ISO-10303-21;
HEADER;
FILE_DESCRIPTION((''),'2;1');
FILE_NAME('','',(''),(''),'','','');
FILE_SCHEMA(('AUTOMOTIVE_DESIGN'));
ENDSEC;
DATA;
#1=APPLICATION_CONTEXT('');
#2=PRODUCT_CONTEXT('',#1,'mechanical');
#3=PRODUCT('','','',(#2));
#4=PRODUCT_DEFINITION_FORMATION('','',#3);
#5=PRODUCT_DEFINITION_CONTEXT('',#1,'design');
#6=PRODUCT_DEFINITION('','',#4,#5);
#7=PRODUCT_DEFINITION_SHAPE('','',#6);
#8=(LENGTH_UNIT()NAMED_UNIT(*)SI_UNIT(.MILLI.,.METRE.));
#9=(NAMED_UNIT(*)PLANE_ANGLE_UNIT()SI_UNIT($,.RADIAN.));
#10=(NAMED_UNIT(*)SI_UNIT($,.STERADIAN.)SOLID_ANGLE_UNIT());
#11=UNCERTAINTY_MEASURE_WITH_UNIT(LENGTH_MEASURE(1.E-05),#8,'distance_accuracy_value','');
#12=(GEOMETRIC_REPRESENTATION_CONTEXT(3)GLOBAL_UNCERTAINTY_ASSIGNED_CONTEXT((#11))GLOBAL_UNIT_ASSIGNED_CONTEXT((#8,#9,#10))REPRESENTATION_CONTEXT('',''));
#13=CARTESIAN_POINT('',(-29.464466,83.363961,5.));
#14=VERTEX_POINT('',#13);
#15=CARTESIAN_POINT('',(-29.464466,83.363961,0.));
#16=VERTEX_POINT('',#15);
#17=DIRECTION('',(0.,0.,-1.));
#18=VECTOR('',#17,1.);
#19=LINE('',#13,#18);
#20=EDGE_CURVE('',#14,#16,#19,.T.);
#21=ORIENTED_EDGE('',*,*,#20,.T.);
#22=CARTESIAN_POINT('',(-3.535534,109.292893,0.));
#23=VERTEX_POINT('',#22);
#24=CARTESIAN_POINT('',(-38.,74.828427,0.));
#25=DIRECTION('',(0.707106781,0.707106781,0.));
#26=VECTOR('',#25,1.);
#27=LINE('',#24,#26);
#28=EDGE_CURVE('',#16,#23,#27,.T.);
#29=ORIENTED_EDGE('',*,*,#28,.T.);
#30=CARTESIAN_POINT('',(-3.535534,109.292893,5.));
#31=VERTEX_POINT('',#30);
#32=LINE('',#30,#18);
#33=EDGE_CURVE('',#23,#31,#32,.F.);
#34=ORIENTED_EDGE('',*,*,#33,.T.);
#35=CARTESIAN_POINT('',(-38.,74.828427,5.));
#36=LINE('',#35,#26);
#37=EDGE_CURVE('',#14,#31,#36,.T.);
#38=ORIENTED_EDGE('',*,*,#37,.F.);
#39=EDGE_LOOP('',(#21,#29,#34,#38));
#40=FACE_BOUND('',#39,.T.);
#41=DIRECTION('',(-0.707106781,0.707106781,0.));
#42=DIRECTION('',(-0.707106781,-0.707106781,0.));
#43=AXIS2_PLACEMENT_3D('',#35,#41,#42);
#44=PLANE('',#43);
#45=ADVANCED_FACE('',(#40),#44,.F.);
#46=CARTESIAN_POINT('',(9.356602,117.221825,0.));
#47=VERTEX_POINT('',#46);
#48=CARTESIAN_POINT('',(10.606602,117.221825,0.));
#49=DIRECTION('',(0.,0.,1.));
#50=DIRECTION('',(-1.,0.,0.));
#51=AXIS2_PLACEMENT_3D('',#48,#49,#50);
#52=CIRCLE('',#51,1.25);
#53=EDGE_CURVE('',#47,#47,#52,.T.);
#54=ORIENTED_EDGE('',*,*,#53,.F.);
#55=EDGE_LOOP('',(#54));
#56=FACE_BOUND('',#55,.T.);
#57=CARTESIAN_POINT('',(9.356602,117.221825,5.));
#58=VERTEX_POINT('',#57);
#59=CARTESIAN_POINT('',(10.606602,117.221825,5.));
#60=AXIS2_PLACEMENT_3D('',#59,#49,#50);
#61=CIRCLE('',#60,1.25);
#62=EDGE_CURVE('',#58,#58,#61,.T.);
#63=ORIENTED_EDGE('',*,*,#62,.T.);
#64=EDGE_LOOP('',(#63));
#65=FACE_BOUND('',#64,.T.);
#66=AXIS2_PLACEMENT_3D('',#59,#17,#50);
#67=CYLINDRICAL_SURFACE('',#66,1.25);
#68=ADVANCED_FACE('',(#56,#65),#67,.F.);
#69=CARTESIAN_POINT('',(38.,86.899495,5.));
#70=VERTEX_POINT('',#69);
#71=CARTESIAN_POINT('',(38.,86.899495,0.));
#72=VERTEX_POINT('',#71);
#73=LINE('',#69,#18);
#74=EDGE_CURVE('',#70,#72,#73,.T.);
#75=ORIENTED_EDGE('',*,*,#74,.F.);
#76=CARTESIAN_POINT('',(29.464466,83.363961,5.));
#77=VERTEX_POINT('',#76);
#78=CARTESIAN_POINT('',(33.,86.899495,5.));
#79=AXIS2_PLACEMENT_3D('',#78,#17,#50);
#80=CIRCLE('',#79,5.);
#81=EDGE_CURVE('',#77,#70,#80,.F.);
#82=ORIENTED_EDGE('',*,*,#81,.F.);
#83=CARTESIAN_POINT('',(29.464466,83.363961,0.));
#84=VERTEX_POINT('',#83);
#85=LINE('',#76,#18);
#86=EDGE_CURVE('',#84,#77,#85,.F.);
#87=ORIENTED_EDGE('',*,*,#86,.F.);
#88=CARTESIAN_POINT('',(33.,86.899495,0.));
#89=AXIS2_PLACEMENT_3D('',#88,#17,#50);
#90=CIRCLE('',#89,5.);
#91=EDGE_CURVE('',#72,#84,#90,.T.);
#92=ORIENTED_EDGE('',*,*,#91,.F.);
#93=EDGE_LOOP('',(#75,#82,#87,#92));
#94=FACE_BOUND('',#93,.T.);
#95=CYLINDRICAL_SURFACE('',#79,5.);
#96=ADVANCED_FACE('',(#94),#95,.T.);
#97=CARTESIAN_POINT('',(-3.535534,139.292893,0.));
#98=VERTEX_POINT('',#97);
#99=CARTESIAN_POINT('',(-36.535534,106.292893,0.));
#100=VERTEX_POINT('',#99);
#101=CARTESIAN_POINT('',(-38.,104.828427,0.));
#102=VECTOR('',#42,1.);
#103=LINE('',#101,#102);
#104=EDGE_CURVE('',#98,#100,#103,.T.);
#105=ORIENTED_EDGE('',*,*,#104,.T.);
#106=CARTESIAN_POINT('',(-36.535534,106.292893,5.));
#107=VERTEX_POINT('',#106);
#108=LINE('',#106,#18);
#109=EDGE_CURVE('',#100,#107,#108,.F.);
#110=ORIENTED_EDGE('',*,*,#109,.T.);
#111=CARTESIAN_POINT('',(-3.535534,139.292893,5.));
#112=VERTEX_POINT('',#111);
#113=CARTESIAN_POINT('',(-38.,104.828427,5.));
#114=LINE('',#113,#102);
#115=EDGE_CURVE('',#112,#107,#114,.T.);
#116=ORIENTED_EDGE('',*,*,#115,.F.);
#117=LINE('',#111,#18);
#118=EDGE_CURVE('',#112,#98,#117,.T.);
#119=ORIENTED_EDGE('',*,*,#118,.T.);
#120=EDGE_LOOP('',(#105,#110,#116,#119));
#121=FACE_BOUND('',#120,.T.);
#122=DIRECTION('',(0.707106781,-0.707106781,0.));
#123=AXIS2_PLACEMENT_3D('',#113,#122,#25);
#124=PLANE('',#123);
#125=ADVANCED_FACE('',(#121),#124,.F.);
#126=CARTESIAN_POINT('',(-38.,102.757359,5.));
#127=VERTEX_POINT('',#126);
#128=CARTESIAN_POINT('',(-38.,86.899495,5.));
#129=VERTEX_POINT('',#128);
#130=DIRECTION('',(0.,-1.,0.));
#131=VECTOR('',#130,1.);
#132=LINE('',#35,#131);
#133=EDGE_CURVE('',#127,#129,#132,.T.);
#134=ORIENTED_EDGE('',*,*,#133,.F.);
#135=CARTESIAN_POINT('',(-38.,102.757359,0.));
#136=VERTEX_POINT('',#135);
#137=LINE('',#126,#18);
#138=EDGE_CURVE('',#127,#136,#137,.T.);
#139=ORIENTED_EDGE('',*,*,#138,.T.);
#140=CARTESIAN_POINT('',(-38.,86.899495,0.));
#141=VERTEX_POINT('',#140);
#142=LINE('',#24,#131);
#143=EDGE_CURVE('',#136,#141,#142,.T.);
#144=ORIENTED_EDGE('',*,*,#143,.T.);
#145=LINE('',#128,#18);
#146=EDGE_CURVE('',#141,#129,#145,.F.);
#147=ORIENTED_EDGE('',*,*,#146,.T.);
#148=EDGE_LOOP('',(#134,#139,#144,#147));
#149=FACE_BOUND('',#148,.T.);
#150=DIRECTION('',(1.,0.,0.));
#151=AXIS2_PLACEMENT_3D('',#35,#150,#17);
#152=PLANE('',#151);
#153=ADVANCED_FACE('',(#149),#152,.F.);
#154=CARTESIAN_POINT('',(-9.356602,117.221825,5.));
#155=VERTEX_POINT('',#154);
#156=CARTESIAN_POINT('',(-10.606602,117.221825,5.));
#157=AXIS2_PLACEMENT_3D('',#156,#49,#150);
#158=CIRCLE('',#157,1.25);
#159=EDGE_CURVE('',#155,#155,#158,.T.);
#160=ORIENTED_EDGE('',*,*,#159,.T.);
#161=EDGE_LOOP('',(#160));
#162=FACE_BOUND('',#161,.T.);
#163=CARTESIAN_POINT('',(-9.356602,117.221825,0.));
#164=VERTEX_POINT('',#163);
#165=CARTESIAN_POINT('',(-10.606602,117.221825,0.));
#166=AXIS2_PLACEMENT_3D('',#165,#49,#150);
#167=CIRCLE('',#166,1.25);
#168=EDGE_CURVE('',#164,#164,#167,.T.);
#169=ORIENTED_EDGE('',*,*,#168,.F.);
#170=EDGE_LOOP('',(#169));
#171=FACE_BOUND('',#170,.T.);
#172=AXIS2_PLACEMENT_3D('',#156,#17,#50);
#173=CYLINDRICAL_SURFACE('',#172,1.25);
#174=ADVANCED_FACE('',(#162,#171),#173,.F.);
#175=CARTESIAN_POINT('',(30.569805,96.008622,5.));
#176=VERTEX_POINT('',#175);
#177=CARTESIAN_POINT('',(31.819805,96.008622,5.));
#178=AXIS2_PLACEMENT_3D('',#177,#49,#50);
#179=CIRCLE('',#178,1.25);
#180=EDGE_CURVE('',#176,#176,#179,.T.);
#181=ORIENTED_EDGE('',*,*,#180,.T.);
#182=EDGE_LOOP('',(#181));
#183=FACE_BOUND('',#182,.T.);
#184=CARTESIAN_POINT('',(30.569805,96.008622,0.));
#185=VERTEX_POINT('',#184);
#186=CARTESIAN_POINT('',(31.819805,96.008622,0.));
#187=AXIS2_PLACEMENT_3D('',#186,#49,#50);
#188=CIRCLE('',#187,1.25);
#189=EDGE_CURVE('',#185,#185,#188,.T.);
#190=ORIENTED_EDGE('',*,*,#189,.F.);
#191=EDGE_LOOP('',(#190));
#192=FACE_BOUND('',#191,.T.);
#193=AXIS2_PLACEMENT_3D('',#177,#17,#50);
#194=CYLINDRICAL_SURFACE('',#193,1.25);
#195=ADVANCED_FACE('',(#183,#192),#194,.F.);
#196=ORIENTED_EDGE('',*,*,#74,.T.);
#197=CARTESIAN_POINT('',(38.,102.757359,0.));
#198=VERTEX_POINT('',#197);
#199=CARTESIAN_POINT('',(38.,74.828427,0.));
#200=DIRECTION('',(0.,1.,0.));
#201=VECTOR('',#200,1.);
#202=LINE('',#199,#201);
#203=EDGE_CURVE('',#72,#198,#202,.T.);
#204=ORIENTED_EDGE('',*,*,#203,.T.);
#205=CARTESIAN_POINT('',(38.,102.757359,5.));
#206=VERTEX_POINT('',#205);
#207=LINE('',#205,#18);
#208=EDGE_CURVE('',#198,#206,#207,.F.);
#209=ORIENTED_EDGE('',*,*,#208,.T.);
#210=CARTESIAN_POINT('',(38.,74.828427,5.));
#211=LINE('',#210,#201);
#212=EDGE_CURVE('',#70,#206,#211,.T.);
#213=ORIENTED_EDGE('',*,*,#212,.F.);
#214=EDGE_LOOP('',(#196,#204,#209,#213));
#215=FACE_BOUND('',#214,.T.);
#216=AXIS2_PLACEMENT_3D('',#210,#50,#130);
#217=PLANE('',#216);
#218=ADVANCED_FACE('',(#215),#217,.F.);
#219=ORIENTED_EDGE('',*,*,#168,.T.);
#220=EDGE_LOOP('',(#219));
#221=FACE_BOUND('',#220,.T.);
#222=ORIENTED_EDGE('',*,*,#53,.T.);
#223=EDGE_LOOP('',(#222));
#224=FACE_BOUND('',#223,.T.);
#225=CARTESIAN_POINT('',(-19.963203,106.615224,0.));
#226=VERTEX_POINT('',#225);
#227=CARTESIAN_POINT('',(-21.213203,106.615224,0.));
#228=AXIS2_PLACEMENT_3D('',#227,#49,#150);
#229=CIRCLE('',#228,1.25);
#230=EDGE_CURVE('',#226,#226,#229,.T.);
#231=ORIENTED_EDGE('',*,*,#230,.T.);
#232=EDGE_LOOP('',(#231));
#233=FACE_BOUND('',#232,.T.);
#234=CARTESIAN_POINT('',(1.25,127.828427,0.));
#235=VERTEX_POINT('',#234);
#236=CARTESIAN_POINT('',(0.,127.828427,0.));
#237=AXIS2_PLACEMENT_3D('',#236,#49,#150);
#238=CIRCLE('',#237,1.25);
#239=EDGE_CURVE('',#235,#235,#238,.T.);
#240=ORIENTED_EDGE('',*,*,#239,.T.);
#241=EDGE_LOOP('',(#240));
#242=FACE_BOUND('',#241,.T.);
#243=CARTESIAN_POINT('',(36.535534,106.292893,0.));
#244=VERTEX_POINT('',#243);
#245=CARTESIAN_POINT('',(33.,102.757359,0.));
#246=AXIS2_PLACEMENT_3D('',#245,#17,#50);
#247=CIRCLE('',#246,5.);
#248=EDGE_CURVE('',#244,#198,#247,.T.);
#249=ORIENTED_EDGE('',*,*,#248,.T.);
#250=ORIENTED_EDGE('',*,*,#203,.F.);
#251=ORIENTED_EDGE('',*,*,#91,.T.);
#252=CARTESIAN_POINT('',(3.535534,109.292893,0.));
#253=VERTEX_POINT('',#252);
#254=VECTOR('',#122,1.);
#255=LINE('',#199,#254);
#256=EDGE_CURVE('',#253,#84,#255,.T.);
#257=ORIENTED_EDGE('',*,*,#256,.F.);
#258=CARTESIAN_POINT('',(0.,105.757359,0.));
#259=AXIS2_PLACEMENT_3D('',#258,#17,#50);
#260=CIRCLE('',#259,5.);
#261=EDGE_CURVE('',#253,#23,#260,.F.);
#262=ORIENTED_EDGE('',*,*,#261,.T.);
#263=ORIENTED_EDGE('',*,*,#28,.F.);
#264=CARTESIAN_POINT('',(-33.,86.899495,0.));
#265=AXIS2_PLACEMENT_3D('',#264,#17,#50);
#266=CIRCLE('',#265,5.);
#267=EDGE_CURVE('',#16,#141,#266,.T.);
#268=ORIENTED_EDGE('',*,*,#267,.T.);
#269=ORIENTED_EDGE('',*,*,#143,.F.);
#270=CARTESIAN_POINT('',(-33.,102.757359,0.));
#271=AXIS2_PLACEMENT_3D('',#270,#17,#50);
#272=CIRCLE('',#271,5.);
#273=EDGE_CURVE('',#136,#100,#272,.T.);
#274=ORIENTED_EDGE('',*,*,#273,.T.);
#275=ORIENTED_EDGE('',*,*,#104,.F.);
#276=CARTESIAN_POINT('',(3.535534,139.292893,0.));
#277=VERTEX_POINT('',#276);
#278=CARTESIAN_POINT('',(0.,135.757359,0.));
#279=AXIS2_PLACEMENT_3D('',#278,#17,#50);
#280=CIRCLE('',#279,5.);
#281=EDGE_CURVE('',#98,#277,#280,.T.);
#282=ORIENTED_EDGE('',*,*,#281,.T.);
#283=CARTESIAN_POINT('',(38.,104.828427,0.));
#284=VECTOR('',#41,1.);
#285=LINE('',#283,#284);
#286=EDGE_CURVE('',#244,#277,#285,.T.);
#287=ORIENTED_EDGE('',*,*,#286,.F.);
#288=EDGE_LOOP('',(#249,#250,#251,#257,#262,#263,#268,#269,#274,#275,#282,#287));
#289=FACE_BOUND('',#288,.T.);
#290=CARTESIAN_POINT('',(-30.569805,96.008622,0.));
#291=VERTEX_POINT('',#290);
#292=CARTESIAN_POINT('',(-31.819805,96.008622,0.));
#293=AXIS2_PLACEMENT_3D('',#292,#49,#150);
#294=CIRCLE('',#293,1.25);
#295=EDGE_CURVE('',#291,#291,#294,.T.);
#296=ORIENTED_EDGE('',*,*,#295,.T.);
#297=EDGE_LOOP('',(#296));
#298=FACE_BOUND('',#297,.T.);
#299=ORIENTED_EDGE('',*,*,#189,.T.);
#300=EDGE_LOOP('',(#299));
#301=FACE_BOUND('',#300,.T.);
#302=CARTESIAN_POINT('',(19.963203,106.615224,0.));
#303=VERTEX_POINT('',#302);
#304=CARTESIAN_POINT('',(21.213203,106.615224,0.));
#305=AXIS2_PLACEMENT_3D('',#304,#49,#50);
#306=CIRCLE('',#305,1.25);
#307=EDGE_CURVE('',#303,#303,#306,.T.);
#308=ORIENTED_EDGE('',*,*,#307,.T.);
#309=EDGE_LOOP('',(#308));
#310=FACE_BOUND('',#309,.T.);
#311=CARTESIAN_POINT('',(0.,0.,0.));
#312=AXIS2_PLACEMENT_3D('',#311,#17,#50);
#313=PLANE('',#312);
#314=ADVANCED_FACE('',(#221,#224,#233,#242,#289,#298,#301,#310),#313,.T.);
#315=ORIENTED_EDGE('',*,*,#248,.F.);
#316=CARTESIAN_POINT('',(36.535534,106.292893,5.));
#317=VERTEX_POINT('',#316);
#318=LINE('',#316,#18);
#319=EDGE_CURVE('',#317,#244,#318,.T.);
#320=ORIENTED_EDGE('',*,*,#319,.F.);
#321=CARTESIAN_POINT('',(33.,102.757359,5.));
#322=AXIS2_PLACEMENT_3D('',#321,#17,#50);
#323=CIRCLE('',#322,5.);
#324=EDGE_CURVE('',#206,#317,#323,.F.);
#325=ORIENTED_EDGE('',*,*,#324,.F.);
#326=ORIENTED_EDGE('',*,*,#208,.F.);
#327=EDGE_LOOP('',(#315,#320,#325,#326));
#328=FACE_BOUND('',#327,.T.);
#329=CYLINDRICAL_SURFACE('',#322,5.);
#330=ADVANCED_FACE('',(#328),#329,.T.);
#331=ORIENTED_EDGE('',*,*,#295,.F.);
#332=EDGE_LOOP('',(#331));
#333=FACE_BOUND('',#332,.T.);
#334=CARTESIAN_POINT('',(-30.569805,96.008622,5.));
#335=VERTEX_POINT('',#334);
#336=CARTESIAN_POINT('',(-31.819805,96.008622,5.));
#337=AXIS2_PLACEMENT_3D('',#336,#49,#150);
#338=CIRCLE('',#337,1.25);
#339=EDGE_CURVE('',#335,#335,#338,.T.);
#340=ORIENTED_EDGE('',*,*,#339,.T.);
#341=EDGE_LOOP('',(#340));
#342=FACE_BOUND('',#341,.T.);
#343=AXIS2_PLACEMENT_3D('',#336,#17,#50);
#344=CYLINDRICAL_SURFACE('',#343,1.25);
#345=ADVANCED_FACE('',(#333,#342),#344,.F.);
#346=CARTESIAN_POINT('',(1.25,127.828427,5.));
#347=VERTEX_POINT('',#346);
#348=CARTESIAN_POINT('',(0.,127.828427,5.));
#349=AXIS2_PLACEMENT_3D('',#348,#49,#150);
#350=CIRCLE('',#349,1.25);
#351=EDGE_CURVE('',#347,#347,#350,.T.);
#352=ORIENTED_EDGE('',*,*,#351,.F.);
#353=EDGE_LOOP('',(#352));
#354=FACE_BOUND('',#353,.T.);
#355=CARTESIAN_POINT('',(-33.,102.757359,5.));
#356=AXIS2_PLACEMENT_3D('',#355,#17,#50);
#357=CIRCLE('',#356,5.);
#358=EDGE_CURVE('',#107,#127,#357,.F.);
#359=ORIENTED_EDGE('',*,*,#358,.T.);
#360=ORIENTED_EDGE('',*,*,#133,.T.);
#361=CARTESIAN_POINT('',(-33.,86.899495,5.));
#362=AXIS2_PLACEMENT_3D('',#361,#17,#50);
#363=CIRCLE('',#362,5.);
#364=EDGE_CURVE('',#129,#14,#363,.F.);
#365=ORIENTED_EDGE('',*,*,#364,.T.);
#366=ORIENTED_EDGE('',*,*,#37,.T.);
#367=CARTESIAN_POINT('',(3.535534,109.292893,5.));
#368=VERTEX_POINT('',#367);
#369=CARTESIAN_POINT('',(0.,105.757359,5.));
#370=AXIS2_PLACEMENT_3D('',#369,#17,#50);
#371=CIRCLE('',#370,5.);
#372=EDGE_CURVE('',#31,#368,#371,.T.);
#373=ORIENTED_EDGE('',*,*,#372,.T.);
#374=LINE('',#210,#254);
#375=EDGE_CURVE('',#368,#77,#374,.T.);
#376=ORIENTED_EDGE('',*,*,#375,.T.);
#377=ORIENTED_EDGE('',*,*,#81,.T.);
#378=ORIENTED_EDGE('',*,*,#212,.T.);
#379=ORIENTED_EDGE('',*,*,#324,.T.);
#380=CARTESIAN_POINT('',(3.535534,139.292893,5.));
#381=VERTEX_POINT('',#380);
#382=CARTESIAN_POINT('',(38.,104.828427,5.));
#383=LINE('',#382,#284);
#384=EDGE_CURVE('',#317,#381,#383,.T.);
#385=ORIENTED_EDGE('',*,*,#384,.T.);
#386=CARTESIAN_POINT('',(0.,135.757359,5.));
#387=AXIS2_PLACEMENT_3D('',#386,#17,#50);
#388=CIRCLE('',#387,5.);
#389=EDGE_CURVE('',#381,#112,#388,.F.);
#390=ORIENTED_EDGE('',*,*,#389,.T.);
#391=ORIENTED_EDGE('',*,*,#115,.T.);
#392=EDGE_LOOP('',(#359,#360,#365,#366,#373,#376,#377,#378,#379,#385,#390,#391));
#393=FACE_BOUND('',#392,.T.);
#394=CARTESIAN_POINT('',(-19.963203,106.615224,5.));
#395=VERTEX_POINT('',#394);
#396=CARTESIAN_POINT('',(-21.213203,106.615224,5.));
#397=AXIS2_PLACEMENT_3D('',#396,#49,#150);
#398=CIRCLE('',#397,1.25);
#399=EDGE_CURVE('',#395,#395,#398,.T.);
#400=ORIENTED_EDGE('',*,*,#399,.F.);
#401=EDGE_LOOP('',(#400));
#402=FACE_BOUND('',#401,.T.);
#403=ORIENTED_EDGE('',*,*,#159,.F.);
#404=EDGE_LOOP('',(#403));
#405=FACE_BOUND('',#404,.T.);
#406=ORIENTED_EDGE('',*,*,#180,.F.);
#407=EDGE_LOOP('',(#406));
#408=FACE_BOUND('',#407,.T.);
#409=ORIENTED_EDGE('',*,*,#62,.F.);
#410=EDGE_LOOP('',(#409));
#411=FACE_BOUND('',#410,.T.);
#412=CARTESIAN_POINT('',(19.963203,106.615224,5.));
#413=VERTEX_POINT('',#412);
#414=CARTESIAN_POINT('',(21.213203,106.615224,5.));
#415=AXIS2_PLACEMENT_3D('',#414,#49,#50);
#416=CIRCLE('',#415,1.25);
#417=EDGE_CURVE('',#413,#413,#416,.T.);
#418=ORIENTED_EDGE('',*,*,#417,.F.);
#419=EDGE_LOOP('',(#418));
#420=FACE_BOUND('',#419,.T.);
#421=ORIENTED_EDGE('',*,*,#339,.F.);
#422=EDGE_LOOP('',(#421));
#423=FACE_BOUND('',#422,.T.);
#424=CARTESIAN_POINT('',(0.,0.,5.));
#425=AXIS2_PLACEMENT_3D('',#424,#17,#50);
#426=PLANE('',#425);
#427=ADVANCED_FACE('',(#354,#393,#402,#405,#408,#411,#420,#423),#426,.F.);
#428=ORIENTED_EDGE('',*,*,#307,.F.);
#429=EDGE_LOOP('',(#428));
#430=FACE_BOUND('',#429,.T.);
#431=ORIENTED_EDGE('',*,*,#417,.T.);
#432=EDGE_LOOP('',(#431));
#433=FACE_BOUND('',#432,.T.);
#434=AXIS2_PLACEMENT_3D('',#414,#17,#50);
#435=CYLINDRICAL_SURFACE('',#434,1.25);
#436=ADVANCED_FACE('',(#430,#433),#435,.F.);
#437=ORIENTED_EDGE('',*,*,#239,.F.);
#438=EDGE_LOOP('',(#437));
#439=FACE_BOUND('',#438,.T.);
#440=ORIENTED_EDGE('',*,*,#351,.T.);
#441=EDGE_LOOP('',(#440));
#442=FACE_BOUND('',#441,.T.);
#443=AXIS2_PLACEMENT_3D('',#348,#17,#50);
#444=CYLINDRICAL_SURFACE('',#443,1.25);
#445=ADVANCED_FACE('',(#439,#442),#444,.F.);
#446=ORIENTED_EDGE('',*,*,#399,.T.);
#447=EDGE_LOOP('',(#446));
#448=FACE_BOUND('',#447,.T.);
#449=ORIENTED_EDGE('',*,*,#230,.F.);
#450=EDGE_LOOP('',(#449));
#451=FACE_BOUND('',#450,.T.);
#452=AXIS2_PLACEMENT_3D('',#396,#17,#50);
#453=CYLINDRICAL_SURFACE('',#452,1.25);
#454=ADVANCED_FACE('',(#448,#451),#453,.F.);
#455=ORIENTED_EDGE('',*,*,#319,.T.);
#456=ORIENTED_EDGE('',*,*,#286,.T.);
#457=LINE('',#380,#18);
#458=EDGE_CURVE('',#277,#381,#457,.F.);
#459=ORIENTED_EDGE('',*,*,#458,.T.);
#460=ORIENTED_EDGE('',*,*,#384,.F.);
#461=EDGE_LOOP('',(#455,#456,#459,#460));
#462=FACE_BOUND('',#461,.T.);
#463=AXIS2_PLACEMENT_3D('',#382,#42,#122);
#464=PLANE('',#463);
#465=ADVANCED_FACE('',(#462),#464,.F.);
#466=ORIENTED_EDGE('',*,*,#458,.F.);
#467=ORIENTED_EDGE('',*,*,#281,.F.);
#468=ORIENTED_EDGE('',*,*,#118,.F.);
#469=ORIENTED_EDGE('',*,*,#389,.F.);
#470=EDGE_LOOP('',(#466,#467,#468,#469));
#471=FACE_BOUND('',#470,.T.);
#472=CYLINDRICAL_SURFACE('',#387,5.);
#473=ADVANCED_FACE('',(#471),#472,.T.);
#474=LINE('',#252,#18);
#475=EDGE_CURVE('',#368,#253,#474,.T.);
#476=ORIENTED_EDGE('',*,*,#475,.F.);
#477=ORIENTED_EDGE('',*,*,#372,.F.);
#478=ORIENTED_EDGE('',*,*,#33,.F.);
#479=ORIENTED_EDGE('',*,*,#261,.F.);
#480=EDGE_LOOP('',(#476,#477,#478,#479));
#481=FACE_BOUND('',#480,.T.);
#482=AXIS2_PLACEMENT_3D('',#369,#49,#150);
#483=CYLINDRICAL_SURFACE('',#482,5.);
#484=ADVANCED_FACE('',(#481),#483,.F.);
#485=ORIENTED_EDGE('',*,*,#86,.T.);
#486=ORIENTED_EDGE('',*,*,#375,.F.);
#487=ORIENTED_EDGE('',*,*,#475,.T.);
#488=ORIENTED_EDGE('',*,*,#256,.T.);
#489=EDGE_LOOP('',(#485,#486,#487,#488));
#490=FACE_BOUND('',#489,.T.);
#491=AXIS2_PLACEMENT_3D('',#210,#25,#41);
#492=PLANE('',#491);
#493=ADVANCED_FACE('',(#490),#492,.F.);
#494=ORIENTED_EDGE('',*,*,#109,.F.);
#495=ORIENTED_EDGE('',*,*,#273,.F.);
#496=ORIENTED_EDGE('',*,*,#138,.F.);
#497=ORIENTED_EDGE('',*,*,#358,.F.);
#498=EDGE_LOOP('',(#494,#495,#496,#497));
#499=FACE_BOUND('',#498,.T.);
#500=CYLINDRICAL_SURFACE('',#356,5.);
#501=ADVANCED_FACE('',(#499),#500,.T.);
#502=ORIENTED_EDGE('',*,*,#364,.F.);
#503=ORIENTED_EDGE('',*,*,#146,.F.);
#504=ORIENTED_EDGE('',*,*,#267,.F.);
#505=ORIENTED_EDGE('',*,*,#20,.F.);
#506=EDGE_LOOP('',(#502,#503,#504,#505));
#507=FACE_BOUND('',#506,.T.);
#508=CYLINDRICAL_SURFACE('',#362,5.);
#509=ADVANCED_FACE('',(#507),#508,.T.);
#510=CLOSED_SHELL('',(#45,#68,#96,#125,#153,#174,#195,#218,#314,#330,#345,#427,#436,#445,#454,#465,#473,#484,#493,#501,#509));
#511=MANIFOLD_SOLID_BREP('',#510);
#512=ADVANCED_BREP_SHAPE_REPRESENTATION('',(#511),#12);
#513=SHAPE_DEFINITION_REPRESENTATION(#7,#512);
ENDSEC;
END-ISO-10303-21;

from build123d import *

# Parameters (mm, degrees)
SKETCH1_R           = 1.25
BOSS_EXTRUDE1_DEPTH = 5
FILLET1_R           = 5


with BuildPart() as part:
    # Sketch1 → Boss-Extrude1 (new body)
    with BuildSketch(Plane.XY):
        Polygon((-38, 74.828427125), (0, 112.828427125), (38, 74.828427125), (38, 104.828427125), (0, 142.828427125), (-38, 104.828427125), align=None)
        with Locations((-31.819805153, 96.008621971)):
            Circle(SKETCH1_R, mode=Mode.SUBTRACT)
        with Locations((-21.213203436, 106.615223689)):
            Circle(SKETCH1_R, mode=Mode.SUBTRACT)
        with Locations((-10.606601718, 117.221825407)):
            Circle(SKETCH1_R, mode=Mode.SUBTRACT)
        with Locations((0, 127.828427125)):
            Circle(SKETCH1_R, mode=Mode.SUBTRACT)
        with Locations(Location((10.606601718, 117.221825407, 0), (0, 0, 180))):
            Circle(SKETCH1_R, mode=Mode.SUBTRACT)
        with Locations(Location((21.213203436, 106.615223689, 0), (0, 0, 180))):
            Circle(SKETCH1_R, mode=Mode.SUBTRACT)
        with Locations(Location((31.819805153, 96.008621971, 0), (0, 0, 180))):
            Circle(SKETCH1_R, mode=Mode.SUBTRACT)
    extrude(amount=BOSS_EXTRUDE1_DEPTH)

    # Fillet1
    fillet1_edges = [part.edges().sort_by_distance(p)[0] for p in [
        (-38, 104.828427125, 2.5),
        (0, 142.828427125, 2.5),
        (38, 104.828427125, 2.5),
        (38, 74.828427125, 2.5),
        (0, 112.828427125, 2.5),
        (-38, 74.828427125, 2.5),
    ]]
    fillet(fillet1_edges, radius=FILLET1_R)


solid = part.part
